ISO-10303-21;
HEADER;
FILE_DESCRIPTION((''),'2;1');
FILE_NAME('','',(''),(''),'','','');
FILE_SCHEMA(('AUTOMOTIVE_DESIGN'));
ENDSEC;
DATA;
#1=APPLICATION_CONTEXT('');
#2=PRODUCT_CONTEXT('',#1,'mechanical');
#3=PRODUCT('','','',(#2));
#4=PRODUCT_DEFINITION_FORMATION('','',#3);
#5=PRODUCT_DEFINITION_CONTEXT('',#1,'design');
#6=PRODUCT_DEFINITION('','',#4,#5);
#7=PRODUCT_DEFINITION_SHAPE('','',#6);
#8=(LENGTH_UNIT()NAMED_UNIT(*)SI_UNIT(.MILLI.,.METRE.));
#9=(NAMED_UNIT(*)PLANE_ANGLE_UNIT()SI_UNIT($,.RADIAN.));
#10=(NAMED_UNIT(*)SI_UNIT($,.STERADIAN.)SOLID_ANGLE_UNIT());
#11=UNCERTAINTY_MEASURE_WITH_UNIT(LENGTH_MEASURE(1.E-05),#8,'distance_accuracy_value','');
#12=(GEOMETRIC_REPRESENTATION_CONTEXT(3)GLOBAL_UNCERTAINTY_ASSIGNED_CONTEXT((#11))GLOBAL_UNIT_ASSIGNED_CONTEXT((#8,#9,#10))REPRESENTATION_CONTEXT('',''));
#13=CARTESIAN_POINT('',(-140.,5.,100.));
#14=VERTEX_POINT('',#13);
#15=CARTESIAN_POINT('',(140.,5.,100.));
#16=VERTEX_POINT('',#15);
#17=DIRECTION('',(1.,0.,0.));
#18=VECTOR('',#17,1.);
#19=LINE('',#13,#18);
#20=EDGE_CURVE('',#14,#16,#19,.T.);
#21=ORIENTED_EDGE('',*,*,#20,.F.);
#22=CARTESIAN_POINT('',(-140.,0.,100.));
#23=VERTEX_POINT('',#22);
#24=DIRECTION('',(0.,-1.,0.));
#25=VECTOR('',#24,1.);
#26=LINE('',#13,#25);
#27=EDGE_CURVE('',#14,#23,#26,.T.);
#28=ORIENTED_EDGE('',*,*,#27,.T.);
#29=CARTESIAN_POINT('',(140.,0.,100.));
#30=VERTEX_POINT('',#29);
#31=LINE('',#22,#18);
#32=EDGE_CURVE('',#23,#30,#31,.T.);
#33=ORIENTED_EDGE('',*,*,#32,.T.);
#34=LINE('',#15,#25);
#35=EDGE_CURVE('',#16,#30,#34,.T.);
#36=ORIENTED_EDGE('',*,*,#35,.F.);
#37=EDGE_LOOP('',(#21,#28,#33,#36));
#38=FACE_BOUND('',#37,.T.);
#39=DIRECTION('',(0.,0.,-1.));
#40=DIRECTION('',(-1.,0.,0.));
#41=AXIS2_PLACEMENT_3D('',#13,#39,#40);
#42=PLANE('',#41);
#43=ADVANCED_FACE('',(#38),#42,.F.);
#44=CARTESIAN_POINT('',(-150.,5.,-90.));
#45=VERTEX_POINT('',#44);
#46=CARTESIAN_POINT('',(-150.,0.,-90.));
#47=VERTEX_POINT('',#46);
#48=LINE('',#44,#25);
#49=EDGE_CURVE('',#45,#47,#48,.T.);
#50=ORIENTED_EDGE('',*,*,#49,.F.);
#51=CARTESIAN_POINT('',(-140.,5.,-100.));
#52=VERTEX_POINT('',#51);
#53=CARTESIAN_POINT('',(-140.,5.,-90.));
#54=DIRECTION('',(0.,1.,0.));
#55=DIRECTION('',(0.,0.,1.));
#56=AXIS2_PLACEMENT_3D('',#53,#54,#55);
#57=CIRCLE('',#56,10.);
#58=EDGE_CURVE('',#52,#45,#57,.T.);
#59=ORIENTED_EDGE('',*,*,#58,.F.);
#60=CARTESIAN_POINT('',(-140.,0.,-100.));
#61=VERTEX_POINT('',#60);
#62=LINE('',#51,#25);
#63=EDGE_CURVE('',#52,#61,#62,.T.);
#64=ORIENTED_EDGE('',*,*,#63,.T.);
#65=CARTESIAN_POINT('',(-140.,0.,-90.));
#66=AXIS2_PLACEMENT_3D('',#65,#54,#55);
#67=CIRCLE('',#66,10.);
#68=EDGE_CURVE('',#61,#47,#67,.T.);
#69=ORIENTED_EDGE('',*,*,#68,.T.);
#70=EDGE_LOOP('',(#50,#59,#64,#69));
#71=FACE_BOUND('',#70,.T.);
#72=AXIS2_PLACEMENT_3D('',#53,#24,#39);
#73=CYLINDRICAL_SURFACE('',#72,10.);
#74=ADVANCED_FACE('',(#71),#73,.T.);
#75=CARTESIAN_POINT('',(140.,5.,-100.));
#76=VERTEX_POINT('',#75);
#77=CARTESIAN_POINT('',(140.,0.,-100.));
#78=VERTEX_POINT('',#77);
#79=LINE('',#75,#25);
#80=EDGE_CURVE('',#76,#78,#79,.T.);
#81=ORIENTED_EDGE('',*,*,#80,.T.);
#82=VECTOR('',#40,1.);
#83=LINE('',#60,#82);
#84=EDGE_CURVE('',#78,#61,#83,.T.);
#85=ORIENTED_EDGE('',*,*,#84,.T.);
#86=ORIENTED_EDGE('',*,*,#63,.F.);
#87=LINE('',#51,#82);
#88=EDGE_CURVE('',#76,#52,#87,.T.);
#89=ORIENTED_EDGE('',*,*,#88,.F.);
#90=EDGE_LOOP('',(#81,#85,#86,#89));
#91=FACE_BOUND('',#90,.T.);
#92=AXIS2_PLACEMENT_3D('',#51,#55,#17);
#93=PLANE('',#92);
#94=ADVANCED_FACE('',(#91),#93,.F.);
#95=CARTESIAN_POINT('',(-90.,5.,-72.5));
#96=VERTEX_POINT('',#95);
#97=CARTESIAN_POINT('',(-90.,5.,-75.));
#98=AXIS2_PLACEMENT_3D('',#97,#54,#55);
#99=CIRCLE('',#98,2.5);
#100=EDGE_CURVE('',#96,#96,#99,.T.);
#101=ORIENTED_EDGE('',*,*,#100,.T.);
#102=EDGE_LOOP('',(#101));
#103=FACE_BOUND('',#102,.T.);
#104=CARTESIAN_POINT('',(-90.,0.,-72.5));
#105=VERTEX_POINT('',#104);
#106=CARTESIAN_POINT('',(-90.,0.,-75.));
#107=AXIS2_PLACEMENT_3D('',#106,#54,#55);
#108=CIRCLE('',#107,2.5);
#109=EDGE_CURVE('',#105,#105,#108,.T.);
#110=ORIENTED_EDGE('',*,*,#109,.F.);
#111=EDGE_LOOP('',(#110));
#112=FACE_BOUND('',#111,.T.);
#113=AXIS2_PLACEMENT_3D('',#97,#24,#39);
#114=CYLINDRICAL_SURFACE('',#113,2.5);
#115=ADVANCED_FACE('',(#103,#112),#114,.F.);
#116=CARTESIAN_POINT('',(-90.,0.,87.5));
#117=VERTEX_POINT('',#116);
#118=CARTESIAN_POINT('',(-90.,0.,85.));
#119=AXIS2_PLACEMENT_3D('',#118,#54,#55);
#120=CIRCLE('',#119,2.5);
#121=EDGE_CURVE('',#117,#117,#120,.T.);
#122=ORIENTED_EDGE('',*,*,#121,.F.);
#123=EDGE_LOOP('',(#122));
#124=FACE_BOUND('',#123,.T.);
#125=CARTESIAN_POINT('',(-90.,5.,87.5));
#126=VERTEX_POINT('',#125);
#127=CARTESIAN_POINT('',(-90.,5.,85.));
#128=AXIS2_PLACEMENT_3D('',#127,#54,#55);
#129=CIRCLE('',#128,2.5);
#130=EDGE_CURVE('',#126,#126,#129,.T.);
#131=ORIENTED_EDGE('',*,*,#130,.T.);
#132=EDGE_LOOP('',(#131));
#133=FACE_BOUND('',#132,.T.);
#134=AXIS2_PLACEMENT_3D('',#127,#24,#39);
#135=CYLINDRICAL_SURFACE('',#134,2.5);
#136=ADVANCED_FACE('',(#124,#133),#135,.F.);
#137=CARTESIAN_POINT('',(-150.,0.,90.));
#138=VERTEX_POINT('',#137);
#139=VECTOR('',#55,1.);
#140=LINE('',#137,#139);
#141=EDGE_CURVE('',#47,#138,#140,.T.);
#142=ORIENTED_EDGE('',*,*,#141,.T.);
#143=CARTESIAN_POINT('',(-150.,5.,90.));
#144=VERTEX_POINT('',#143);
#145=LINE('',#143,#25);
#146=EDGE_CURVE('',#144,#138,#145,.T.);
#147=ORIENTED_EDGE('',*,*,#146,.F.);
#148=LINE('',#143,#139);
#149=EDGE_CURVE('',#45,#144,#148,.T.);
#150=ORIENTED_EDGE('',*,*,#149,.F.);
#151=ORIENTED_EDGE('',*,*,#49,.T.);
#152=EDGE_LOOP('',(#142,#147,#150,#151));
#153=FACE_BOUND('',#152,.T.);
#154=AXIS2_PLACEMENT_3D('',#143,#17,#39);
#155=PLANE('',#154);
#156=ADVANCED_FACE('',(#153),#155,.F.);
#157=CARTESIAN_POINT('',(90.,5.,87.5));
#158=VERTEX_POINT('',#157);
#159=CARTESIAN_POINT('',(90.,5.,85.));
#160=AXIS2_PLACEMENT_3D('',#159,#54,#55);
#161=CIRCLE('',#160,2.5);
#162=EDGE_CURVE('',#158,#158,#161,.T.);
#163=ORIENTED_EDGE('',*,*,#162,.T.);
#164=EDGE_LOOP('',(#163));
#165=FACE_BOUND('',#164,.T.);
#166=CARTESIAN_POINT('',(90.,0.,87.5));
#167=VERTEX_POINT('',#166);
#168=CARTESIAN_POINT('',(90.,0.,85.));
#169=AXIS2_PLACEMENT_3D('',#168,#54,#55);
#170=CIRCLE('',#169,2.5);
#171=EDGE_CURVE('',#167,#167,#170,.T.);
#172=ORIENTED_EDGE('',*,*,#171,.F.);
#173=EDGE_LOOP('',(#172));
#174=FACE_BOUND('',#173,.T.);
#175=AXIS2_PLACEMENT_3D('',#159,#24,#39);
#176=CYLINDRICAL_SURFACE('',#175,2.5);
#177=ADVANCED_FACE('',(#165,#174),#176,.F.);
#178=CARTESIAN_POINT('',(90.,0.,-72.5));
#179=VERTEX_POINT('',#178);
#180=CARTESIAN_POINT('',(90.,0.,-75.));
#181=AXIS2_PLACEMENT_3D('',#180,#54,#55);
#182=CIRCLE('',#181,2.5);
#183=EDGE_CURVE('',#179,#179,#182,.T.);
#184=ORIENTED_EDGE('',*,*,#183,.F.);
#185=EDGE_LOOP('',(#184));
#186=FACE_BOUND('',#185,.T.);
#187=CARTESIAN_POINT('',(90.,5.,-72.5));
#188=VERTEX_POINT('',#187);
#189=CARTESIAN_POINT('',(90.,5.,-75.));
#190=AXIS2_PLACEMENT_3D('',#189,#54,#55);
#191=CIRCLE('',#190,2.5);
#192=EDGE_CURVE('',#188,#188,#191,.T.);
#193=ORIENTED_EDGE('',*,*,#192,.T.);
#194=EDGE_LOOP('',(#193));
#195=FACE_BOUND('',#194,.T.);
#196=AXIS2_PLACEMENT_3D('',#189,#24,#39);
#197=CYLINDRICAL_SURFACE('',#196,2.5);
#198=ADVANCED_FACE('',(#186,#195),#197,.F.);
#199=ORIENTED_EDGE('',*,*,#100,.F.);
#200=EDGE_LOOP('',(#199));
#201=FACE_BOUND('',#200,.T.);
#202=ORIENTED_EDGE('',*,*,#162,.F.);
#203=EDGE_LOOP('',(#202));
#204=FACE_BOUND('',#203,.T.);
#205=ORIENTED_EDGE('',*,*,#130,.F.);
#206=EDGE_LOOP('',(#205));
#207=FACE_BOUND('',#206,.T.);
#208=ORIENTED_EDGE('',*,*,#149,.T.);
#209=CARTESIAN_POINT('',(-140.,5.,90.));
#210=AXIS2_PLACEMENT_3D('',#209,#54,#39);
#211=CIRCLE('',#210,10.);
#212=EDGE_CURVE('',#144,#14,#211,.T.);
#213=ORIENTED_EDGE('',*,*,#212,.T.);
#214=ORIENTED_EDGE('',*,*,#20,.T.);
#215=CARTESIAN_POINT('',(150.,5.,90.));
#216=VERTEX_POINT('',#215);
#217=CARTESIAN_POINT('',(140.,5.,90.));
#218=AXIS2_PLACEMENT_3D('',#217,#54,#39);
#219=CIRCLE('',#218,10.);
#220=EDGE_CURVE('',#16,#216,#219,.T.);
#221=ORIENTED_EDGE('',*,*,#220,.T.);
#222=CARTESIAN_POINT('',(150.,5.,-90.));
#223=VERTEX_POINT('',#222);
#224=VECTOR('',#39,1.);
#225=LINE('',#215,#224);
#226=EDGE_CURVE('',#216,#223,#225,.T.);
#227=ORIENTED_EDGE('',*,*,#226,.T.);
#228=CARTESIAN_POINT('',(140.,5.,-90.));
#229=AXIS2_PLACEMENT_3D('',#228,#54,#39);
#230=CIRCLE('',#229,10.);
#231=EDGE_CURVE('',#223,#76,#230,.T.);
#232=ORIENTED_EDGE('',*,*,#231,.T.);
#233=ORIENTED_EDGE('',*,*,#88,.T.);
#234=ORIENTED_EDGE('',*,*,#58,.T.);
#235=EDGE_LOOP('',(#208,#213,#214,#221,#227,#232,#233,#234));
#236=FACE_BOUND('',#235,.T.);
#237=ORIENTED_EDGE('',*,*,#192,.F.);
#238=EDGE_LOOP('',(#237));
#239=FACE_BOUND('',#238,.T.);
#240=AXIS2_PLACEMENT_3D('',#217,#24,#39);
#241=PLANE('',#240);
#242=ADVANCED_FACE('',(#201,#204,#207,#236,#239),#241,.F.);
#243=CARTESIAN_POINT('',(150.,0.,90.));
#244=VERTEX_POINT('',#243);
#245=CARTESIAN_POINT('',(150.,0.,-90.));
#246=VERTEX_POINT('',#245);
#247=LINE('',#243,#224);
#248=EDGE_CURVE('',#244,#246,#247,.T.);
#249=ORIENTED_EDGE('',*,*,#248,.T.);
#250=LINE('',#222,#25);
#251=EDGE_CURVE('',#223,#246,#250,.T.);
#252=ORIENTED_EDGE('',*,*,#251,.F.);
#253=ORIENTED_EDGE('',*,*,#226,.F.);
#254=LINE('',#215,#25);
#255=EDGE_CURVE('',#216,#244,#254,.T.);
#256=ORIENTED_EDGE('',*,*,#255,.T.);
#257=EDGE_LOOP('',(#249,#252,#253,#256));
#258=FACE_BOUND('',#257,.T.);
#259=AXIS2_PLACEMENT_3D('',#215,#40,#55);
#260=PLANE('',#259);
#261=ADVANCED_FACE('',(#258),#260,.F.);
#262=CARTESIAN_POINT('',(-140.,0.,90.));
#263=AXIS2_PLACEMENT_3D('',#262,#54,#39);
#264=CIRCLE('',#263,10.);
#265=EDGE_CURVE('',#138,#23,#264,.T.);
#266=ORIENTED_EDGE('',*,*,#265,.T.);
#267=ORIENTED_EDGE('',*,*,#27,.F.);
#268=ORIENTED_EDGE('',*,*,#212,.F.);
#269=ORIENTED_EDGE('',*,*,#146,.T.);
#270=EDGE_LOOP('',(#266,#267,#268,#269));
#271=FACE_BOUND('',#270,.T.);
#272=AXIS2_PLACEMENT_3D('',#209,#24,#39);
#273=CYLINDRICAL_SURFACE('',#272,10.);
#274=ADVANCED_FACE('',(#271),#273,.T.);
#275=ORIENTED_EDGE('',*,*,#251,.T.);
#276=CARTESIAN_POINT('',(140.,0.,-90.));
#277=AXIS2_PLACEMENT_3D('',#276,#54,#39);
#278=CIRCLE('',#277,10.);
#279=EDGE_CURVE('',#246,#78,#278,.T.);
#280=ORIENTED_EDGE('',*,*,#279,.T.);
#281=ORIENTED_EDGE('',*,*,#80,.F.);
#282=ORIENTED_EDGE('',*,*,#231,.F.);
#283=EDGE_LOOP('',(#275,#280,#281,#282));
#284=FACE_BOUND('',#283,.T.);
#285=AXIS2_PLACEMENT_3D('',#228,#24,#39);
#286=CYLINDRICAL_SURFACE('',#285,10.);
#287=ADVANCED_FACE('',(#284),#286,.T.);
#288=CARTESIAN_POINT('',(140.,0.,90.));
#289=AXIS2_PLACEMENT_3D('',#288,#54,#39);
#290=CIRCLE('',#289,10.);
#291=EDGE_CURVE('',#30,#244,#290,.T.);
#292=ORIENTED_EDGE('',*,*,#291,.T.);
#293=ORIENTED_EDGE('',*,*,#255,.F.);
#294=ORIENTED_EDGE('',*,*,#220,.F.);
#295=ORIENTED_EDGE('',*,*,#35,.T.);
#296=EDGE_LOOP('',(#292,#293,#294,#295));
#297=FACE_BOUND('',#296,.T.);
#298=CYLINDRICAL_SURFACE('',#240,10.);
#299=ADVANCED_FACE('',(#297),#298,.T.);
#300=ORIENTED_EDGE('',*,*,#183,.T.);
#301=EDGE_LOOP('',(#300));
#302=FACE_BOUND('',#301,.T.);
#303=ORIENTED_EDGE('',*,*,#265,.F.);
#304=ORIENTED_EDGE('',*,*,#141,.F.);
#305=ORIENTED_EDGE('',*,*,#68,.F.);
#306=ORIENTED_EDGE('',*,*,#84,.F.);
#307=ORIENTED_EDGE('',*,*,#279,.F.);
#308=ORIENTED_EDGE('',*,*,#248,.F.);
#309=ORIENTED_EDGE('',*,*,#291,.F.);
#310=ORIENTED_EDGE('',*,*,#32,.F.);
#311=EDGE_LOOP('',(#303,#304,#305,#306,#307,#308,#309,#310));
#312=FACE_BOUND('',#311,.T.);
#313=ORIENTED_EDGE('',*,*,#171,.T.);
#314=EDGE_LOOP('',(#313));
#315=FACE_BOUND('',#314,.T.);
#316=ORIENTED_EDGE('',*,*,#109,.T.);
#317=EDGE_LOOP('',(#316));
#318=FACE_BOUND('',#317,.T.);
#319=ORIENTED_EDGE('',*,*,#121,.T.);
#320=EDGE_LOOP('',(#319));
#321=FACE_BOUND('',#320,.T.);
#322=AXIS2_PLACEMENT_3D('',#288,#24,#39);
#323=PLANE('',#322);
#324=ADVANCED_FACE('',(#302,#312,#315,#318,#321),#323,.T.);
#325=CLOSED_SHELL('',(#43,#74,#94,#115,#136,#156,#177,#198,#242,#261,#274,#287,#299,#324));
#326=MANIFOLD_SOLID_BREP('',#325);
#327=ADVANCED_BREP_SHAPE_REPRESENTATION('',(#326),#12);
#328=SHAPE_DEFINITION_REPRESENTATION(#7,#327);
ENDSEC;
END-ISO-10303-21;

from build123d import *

# Parameters (mm, degrees)
SKETCH1_R           = 2.5
BOSS_EXTRUDE2_DEPTH = 5


with BuildPart() as part:
    # Sketch1 → Boss-Extrude2 (new body)
    with BuildSketch(Plane(origin=(0, 0, 0), x_dir=(1, 0, 0), z_dir=(0, 1, 0))):
        with BuildLine():
            Line((-140, -100), (140, -100))
            ThreePointArc((140, -100), (147.071067812, -97.071067812), (150, -90))
            Line((150, -90), (150, 90))
            ThreePointArc((150, 90), (147.071067812, 97.071067812), (140, 100))
            Line((140, 100), (-140, 100))
            ThreePointArc((-140, 100), (-147.071067812, 97.071067812), (-150, 90))
            Line((-150, 90), (-150, -90))
            ThreePointArc((-150, -90), (-147.071067812, -97.071067812), (-140, -100))
        make_face()
        with Locations(Location((-90, -85, 0), (0, 0, 270))):
            Circle(SKETCH1_R, mode=Mode.SUBTRACT)
        with Locations(Location((90, -85, 0), (0, 0, 270))):
            Circle(SKETCH1_R, mode=Mode.SUBTRACT)
        with Locations(Location((90, 75, 0), (0, 0, 270))):
            Circle(SKETCH1_R, mode=Mode.SUBTRACT)
        with Locations(Location((-90, 75, 0), (0, 0, 270))):
            Circle(SKETCH1_R, mode=Mode.SUBTRACT)
    extrude(amount=BOSS_EXTRUDE2_DEPTH)


solid = part.part
